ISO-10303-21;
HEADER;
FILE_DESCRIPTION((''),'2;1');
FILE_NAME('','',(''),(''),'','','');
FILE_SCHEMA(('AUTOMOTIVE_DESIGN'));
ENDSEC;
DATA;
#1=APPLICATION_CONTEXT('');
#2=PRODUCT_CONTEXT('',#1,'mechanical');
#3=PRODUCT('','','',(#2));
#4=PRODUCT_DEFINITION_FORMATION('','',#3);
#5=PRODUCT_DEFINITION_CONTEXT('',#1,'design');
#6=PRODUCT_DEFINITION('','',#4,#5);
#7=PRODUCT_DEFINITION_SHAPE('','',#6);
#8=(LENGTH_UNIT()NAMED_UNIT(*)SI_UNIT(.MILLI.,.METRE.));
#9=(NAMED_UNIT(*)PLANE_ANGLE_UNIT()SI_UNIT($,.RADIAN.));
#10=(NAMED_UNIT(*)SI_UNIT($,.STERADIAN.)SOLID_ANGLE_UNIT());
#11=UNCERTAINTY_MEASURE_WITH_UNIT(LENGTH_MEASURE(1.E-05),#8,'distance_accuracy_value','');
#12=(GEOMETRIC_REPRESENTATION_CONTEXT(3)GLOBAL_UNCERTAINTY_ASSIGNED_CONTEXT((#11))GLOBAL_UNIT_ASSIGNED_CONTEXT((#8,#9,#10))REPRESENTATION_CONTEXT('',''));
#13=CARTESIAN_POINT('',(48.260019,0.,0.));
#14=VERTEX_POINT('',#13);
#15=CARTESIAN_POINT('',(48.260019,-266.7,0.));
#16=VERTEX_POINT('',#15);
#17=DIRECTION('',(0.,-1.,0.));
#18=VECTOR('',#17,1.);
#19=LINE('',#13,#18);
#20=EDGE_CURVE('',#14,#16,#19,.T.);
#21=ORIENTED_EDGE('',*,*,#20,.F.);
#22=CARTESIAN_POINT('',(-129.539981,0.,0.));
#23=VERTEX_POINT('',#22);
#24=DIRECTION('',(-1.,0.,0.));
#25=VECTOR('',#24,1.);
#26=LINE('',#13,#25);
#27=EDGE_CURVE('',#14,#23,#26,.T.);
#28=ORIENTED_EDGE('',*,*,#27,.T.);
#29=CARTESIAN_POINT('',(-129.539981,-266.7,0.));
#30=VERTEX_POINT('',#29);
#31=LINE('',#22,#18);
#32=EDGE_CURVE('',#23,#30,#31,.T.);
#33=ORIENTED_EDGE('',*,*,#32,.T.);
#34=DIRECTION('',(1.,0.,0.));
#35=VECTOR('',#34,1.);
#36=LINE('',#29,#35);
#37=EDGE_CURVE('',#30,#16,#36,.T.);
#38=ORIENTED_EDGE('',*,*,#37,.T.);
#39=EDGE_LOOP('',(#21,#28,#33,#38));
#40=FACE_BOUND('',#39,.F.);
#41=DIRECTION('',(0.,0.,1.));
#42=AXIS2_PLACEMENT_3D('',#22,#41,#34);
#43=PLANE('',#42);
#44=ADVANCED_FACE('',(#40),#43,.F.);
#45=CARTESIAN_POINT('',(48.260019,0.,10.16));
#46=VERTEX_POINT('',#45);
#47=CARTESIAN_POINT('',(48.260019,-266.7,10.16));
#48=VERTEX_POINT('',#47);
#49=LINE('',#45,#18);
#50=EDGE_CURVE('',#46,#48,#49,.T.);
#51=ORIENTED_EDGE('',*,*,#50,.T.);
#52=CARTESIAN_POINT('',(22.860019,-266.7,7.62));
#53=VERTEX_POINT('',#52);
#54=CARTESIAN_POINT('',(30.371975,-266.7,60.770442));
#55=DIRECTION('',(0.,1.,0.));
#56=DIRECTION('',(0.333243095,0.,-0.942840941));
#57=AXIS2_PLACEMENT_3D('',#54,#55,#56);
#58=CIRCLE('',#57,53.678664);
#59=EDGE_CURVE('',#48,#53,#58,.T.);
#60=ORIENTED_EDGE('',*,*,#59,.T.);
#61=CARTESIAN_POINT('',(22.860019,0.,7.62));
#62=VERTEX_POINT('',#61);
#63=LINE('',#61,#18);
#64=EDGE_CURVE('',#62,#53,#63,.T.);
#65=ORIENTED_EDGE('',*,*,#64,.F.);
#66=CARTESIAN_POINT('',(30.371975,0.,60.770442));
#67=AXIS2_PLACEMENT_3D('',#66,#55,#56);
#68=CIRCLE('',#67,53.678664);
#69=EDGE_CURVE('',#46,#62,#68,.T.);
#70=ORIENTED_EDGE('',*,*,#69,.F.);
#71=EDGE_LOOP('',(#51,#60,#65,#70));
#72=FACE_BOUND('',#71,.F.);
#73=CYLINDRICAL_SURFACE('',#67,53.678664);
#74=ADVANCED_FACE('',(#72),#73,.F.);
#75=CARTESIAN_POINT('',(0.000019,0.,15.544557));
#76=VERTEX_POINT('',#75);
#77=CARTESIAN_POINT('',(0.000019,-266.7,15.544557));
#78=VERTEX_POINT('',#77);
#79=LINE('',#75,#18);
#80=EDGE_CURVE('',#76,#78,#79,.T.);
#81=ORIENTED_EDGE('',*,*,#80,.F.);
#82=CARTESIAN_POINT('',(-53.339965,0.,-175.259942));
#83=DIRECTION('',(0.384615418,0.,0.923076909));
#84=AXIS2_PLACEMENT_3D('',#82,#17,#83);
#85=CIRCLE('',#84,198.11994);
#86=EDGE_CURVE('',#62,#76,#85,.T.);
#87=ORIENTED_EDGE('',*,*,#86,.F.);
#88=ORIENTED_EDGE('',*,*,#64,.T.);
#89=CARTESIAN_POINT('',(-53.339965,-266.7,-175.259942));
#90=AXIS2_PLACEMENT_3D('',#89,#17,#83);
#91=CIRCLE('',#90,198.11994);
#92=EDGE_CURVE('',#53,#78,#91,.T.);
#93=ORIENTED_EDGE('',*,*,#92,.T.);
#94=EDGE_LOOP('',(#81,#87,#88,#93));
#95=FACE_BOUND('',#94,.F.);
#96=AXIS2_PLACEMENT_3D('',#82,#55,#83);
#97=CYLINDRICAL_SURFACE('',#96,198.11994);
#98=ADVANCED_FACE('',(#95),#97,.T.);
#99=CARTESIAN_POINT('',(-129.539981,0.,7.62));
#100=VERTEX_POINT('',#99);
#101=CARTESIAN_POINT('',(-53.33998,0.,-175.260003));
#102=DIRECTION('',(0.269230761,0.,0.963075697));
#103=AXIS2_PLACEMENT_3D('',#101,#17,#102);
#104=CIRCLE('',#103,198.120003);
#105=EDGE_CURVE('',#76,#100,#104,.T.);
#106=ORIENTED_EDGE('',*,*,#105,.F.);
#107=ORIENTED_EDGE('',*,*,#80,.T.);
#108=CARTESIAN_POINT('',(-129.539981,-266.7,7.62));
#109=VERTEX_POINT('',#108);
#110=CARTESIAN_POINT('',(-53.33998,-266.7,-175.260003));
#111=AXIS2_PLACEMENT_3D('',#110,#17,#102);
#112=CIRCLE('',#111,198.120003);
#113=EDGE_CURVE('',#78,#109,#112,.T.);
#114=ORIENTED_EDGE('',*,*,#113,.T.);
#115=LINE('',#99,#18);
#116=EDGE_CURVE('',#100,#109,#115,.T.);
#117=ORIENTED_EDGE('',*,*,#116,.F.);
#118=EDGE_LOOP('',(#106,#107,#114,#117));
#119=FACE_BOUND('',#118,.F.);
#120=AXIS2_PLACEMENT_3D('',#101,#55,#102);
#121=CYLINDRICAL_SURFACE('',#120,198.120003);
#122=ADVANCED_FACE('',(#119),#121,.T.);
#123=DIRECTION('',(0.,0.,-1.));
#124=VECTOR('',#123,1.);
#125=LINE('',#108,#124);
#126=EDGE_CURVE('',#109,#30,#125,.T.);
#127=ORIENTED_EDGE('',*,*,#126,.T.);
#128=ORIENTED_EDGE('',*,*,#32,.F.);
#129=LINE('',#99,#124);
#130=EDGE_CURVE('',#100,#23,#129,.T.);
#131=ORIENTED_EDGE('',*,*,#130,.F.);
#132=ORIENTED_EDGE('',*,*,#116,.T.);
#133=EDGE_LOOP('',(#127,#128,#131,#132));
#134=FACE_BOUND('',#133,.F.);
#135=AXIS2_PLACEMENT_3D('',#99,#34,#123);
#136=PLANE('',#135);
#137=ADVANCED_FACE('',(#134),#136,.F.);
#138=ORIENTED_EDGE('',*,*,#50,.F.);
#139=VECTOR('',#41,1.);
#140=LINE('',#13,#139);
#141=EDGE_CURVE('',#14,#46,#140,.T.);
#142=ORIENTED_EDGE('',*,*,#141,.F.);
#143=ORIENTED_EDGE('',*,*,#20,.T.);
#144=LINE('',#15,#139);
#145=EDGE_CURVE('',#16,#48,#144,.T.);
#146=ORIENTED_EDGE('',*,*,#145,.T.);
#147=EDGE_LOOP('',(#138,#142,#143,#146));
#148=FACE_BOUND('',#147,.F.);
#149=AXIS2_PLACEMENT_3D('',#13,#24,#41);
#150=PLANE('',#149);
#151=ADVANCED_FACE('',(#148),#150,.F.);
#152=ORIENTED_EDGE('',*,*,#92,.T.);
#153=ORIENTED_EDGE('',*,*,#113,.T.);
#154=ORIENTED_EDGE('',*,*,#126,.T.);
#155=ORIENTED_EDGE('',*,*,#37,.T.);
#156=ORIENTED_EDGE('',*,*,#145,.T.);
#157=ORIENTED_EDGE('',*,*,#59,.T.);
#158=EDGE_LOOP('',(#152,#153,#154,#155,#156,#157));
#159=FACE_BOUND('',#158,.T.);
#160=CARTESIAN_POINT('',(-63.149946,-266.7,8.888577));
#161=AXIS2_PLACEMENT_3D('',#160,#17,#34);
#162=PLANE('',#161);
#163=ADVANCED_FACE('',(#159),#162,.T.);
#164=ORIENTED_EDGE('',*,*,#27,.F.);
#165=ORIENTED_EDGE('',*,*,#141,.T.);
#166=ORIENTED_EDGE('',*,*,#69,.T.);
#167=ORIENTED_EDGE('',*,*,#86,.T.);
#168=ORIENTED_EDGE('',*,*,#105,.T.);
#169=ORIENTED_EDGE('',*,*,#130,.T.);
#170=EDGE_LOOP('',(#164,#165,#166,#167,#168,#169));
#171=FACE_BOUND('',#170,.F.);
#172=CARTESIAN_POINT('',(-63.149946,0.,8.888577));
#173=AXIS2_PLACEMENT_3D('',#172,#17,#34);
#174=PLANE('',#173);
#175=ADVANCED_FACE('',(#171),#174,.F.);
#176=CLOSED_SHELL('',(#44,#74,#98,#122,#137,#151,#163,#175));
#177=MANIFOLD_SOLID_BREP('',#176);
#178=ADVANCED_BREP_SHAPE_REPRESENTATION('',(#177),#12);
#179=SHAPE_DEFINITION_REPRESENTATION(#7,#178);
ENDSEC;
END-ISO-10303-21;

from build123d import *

# Parameters (mm, degrees)
F1_DEPTH = 266.7
F2_DEPTH = 266.7


with BuildPart() as f1:
    # F0 (on Front) → F1 (new body)
    with BuildSketch(Plane.XZ):
        with BuildLine():
            Line((1.9e-05, 0), (1.9e-05, 15.544557))
            ThreePointArc((1.9e-05, 15.544557), (-65.437277, 22.490322), (-129.539981, 7.62))
            Line((-129.539981, 7.62), (-129.539981, 0))
            Line((-129.539981, 0), (1.9e-05, 0))
        make_face()
    extrude(amount=F1_DEPTH)

    # F0 (on Front) → F2 (join)
    with BuildSketch(Plane.XZ):
        with BuildLine():
            Line((1.9e-05, 0), (1.9e-05, 15.544557))
            ThreePointArc((1.9e-05, 15.544557), (-65.437277, 22.490322), (-129.539981, 7.62))
            Line((-129.539981, 7.62), (-129.539981, 0))
            Line((-129.539981, 0), (1.9e-05, 0))
        make_face()
        with BuildLine():
            ThreePointArc((48.260019, 10.16), (35.713201, 7.358175), (22.860019, 7.62))
            ThreePointArc((22.860019, 7.62), (11.551101, 11.931565), (1.9e-05, 15.544557))
            Line((1.9e-05, 15.544557), (1.9e-05, 0))
            Line((1.9e-05, 0), (48.260019, 0))
            Line((48.260019, 0), (48.260019, 10.16))
        make_face()
    extrude(amount=F2_DEPTH)


solid = f1.part
